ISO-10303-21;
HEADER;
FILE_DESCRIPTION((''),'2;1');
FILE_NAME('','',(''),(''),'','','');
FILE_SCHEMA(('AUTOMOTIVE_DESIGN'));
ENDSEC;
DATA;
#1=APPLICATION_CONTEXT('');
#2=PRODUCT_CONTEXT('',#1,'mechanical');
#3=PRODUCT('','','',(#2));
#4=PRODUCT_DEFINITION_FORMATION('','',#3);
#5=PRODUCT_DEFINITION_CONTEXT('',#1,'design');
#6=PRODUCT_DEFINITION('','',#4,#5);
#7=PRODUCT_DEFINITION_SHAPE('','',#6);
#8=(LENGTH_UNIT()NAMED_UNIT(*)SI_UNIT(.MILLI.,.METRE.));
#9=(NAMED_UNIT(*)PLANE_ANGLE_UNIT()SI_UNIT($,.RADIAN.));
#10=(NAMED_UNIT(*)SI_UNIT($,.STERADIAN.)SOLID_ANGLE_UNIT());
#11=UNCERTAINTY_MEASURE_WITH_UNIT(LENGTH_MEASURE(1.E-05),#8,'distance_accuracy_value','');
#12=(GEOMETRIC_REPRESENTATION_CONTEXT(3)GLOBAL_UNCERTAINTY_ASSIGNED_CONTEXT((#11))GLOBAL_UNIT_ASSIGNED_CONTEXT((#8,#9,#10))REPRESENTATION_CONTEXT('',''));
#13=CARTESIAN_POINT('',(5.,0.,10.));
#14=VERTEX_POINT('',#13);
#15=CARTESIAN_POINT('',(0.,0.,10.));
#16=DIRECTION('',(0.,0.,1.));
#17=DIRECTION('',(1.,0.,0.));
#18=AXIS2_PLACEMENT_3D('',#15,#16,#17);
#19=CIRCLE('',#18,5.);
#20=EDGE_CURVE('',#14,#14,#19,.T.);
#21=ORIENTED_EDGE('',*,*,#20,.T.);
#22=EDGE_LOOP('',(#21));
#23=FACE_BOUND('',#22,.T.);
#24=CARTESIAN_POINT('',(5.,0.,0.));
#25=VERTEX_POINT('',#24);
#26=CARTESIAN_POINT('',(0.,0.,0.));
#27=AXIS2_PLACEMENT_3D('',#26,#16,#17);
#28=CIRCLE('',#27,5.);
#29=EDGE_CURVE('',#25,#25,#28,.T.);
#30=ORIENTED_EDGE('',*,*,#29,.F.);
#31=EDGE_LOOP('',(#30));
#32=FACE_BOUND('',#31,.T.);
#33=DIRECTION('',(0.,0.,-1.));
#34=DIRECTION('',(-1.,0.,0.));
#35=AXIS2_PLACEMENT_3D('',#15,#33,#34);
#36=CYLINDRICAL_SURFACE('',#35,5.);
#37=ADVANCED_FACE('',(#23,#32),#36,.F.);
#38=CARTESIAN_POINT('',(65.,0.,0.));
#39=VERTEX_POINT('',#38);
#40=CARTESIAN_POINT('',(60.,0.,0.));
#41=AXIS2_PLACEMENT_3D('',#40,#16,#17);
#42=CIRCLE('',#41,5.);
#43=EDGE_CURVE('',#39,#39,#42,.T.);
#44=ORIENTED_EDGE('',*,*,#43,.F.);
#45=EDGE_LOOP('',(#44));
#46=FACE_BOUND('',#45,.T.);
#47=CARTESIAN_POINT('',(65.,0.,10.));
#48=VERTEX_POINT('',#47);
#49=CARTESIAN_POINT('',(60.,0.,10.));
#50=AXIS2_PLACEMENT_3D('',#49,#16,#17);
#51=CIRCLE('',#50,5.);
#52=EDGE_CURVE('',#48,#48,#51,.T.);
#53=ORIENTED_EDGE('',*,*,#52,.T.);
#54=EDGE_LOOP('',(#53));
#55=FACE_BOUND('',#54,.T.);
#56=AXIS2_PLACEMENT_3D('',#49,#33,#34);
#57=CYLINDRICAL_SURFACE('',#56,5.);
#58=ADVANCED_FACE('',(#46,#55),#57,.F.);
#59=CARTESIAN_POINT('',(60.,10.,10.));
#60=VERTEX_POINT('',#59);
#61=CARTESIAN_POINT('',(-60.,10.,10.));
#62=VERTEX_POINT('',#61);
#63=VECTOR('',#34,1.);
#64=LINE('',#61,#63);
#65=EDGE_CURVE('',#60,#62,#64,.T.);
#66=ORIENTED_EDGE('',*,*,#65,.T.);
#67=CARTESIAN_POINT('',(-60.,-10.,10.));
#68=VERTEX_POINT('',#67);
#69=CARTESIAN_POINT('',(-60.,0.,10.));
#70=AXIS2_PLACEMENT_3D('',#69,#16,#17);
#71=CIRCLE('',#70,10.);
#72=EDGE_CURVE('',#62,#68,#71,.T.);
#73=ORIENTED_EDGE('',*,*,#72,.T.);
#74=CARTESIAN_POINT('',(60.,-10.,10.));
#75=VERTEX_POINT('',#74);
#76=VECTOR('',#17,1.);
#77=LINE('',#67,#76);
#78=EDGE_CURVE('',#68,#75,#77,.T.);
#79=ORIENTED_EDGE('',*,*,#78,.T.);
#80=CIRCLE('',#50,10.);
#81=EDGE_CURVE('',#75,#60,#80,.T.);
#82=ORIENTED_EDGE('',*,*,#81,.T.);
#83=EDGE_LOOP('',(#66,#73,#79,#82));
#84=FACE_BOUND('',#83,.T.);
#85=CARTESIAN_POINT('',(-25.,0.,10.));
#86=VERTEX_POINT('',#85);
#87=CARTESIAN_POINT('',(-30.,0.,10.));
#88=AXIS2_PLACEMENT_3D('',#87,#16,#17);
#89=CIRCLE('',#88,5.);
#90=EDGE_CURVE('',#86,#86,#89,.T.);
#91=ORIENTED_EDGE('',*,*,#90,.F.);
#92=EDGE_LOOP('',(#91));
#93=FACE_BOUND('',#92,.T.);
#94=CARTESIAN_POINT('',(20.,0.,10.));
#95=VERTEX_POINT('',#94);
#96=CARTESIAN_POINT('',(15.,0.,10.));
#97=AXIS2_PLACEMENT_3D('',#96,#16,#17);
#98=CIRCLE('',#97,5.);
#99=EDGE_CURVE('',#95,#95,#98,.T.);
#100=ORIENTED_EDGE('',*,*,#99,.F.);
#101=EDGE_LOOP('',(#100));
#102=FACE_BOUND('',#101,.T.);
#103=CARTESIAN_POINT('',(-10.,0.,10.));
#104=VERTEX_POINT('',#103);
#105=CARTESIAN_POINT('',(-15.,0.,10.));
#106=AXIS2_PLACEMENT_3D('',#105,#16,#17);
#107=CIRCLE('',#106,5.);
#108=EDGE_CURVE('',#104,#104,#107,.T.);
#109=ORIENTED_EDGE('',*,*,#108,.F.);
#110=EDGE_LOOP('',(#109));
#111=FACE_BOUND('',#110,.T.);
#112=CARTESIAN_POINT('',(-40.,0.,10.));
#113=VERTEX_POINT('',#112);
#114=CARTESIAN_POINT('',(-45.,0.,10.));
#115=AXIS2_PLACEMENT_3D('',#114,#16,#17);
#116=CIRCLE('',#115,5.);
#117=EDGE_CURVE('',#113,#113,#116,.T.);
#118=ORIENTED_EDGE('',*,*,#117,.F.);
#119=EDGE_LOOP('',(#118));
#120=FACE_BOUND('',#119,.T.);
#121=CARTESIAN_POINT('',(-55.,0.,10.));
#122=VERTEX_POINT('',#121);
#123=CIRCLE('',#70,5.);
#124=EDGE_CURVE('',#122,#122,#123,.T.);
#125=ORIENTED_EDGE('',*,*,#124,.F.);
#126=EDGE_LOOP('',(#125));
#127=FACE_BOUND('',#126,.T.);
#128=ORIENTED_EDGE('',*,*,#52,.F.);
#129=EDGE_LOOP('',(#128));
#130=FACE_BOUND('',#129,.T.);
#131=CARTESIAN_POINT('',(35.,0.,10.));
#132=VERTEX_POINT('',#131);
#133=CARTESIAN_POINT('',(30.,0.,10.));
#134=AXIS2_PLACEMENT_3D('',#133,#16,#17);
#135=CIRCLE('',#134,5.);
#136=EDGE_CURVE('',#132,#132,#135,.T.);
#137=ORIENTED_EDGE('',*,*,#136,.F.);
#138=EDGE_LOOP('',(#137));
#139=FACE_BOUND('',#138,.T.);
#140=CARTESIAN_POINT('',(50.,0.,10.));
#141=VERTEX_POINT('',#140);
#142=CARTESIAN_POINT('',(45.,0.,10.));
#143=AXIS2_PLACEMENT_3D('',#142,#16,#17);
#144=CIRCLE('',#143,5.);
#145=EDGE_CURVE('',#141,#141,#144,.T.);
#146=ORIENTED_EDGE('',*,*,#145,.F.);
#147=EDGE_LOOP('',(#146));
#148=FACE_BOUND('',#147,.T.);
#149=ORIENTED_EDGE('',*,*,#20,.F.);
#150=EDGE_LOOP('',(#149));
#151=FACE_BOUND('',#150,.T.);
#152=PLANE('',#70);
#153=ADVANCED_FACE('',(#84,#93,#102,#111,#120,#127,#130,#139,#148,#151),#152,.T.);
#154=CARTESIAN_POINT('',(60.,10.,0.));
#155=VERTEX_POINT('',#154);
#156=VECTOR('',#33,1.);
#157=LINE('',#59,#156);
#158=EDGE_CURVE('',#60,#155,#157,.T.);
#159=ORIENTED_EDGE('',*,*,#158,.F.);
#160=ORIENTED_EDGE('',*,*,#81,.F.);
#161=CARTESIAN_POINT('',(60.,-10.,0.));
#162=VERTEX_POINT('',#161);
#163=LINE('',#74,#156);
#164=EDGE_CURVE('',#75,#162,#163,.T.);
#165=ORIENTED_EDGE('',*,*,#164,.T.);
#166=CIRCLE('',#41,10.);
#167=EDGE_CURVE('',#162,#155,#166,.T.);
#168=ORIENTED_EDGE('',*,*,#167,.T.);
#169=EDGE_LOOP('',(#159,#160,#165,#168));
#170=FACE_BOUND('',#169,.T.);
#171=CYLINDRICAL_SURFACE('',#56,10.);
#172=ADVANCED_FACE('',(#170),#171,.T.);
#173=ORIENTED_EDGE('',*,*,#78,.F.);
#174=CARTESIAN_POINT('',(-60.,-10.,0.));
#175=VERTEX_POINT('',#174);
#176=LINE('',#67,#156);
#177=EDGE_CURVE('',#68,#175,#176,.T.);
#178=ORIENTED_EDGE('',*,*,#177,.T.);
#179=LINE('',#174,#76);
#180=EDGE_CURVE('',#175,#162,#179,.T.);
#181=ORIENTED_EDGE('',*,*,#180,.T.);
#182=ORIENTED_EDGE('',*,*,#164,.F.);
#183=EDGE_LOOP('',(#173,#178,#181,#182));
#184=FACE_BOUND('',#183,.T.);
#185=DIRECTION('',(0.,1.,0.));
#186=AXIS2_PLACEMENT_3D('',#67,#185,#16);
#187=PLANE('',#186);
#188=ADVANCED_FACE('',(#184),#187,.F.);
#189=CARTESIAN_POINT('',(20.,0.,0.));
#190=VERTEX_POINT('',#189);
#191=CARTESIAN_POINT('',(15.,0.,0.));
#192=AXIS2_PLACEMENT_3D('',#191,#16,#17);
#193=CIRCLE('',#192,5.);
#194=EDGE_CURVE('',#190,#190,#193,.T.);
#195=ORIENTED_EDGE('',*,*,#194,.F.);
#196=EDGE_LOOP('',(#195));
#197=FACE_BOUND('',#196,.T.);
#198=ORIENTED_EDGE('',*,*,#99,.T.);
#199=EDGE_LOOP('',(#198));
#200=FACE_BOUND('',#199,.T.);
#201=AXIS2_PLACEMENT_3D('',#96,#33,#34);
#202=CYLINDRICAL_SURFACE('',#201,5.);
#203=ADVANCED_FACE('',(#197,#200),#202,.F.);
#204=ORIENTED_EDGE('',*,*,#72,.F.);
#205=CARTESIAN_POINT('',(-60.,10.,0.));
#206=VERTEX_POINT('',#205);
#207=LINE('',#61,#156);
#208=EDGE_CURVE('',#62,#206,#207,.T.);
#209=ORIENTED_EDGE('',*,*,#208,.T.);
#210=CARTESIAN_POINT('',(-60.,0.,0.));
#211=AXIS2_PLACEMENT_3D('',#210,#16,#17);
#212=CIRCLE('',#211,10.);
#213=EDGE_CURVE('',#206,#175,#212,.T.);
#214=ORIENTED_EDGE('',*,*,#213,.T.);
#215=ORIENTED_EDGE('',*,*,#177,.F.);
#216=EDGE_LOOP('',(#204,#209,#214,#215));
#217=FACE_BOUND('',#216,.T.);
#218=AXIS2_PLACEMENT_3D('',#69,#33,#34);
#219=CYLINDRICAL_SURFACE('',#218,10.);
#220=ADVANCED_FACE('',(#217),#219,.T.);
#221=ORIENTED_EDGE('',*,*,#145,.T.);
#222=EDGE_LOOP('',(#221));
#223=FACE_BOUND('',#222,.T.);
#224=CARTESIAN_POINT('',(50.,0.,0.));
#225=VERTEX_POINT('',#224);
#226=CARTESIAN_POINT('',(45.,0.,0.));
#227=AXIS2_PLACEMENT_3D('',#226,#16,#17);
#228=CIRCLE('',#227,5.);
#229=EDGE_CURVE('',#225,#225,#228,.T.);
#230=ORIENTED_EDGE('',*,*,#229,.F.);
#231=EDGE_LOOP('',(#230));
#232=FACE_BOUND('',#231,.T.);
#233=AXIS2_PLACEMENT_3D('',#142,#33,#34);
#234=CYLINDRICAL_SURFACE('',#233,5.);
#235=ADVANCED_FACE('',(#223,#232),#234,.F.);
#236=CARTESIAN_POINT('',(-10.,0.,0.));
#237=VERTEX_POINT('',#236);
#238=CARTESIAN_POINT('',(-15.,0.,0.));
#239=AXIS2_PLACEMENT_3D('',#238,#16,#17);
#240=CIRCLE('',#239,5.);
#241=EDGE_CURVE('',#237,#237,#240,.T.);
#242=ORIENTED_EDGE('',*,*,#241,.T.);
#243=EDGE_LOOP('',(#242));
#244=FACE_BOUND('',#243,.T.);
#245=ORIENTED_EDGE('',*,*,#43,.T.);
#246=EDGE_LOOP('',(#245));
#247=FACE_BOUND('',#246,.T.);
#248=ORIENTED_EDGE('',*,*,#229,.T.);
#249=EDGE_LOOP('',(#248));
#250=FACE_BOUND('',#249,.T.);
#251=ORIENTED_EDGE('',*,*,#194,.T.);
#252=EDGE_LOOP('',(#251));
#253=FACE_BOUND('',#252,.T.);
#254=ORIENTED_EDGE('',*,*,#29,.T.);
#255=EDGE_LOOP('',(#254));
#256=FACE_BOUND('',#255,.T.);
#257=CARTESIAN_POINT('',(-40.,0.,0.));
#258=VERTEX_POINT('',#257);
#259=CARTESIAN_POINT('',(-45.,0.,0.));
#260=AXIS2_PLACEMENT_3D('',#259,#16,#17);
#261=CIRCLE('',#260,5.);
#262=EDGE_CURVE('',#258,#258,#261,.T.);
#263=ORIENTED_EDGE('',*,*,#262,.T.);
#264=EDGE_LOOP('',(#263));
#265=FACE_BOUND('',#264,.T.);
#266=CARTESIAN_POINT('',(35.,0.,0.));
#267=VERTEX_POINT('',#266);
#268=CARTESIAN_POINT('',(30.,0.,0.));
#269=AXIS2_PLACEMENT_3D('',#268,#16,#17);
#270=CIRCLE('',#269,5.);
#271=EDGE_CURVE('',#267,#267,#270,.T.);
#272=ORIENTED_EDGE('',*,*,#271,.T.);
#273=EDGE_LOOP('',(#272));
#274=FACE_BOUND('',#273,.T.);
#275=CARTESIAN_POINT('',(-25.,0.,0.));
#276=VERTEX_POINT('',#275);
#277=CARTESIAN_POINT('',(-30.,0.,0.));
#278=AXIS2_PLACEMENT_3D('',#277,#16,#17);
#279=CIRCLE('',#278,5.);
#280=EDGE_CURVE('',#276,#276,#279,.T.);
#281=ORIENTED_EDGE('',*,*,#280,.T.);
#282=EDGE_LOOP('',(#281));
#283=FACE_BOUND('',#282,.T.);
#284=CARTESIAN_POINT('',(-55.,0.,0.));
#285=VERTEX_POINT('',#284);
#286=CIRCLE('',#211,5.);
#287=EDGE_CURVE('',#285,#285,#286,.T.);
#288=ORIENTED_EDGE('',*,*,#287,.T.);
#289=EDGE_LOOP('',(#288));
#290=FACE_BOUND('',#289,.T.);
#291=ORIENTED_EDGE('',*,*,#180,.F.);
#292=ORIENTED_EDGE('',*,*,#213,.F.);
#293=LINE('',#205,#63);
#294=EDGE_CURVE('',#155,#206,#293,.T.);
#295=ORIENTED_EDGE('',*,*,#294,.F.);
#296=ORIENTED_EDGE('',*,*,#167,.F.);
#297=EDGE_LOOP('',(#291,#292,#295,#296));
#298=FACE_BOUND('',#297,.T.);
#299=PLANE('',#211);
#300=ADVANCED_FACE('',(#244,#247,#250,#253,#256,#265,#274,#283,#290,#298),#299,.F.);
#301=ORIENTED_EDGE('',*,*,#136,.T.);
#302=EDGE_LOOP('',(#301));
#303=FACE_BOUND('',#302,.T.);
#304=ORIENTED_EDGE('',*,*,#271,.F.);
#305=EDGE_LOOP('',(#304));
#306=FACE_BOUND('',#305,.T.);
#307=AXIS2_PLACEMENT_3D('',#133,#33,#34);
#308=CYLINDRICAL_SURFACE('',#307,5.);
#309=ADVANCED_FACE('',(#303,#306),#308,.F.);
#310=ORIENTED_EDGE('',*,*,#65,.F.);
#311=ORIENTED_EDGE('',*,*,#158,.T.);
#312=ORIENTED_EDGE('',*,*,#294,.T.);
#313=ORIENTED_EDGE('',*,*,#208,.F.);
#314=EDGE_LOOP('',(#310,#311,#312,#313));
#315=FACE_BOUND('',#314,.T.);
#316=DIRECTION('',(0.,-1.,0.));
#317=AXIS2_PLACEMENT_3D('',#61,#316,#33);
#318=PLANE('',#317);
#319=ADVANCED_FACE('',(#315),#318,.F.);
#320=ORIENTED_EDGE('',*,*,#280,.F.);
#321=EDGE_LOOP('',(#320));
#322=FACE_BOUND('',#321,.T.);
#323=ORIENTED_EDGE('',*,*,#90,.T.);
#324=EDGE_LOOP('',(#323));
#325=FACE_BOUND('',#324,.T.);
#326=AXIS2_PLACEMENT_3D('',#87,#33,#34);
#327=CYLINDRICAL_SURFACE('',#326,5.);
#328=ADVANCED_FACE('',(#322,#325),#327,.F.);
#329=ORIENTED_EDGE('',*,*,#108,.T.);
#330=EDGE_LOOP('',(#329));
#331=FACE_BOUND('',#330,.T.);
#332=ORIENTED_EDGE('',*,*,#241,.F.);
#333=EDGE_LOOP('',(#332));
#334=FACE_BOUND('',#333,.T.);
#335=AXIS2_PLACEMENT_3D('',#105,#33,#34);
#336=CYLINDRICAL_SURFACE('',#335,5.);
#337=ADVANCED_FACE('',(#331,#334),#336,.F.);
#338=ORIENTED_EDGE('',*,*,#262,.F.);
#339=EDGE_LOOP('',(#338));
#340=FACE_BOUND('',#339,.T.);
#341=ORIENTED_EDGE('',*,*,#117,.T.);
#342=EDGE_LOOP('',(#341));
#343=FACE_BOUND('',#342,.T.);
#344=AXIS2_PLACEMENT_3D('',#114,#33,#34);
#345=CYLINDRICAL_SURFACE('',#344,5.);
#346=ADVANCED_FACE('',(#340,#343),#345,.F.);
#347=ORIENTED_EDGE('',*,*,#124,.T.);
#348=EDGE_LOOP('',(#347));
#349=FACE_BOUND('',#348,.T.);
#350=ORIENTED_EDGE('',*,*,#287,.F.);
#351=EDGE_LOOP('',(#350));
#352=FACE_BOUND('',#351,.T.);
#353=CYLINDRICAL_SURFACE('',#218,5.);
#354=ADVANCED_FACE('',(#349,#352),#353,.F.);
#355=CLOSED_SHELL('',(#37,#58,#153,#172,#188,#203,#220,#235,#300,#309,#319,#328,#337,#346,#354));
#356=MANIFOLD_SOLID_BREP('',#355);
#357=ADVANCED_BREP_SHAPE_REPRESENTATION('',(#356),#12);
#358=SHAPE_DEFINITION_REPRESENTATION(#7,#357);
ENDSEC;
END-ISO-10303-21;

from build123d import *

# Parameters (mm, degrees)
SKETCH1_R           = 5
BOSS_EXTRUDE1_DEPTH = 10


with BuildPart() as part:
    # Sketch1 → Boss-Extrude1 (new body)
    with BuildSketch(Plane.XY):
        with BuildLine():
            Line((-60, 10), (60, 10))
            ThreePointArc((60, 10), (70, 0), (60, -10))
            Line((60, -10), (-60, -10))
            ThreePointArc((-60, -10), (-70, 0), (-60, 10))
        make_face()
        with Locations((-60, 0)):
            Circle(SKETCH1_R, mode=Mode.SUBTRACT)
        with Locations((-45, 0)):
            Circle(SKETCH1_R, mode=Mode.SUBTRACT)
        with Locations((-30, 0)):
            Circle(SKETCH1_R, mode=Mode.SUBTRACT)
        with Locations((-15, 0)):
            Circle(SKETCH1_R, mode=Mode.SUBTRACT)
        Circle(SKETCH1_R, mode=Mode.SUBTRACT)
        with Locations((15, 0)):
            Circle(SKETCH1_R, mode=Mode.SUBTRACT)
        with Locations((30, 0)):
            Circle(SKETCH1_R, mode=Mode.SUBTRACT)
        with Locations((45, 0)):
            Circle(SKETCH1_R, mode=Mode.SUBTRACT)
        with Locations((60, 0)):
            Circle(SKETCH1_R, mode=Mode.SUBTRACT)
    extrude(amount=BOSS_EXTRUDE1_DEPTH)


solid = part.part
